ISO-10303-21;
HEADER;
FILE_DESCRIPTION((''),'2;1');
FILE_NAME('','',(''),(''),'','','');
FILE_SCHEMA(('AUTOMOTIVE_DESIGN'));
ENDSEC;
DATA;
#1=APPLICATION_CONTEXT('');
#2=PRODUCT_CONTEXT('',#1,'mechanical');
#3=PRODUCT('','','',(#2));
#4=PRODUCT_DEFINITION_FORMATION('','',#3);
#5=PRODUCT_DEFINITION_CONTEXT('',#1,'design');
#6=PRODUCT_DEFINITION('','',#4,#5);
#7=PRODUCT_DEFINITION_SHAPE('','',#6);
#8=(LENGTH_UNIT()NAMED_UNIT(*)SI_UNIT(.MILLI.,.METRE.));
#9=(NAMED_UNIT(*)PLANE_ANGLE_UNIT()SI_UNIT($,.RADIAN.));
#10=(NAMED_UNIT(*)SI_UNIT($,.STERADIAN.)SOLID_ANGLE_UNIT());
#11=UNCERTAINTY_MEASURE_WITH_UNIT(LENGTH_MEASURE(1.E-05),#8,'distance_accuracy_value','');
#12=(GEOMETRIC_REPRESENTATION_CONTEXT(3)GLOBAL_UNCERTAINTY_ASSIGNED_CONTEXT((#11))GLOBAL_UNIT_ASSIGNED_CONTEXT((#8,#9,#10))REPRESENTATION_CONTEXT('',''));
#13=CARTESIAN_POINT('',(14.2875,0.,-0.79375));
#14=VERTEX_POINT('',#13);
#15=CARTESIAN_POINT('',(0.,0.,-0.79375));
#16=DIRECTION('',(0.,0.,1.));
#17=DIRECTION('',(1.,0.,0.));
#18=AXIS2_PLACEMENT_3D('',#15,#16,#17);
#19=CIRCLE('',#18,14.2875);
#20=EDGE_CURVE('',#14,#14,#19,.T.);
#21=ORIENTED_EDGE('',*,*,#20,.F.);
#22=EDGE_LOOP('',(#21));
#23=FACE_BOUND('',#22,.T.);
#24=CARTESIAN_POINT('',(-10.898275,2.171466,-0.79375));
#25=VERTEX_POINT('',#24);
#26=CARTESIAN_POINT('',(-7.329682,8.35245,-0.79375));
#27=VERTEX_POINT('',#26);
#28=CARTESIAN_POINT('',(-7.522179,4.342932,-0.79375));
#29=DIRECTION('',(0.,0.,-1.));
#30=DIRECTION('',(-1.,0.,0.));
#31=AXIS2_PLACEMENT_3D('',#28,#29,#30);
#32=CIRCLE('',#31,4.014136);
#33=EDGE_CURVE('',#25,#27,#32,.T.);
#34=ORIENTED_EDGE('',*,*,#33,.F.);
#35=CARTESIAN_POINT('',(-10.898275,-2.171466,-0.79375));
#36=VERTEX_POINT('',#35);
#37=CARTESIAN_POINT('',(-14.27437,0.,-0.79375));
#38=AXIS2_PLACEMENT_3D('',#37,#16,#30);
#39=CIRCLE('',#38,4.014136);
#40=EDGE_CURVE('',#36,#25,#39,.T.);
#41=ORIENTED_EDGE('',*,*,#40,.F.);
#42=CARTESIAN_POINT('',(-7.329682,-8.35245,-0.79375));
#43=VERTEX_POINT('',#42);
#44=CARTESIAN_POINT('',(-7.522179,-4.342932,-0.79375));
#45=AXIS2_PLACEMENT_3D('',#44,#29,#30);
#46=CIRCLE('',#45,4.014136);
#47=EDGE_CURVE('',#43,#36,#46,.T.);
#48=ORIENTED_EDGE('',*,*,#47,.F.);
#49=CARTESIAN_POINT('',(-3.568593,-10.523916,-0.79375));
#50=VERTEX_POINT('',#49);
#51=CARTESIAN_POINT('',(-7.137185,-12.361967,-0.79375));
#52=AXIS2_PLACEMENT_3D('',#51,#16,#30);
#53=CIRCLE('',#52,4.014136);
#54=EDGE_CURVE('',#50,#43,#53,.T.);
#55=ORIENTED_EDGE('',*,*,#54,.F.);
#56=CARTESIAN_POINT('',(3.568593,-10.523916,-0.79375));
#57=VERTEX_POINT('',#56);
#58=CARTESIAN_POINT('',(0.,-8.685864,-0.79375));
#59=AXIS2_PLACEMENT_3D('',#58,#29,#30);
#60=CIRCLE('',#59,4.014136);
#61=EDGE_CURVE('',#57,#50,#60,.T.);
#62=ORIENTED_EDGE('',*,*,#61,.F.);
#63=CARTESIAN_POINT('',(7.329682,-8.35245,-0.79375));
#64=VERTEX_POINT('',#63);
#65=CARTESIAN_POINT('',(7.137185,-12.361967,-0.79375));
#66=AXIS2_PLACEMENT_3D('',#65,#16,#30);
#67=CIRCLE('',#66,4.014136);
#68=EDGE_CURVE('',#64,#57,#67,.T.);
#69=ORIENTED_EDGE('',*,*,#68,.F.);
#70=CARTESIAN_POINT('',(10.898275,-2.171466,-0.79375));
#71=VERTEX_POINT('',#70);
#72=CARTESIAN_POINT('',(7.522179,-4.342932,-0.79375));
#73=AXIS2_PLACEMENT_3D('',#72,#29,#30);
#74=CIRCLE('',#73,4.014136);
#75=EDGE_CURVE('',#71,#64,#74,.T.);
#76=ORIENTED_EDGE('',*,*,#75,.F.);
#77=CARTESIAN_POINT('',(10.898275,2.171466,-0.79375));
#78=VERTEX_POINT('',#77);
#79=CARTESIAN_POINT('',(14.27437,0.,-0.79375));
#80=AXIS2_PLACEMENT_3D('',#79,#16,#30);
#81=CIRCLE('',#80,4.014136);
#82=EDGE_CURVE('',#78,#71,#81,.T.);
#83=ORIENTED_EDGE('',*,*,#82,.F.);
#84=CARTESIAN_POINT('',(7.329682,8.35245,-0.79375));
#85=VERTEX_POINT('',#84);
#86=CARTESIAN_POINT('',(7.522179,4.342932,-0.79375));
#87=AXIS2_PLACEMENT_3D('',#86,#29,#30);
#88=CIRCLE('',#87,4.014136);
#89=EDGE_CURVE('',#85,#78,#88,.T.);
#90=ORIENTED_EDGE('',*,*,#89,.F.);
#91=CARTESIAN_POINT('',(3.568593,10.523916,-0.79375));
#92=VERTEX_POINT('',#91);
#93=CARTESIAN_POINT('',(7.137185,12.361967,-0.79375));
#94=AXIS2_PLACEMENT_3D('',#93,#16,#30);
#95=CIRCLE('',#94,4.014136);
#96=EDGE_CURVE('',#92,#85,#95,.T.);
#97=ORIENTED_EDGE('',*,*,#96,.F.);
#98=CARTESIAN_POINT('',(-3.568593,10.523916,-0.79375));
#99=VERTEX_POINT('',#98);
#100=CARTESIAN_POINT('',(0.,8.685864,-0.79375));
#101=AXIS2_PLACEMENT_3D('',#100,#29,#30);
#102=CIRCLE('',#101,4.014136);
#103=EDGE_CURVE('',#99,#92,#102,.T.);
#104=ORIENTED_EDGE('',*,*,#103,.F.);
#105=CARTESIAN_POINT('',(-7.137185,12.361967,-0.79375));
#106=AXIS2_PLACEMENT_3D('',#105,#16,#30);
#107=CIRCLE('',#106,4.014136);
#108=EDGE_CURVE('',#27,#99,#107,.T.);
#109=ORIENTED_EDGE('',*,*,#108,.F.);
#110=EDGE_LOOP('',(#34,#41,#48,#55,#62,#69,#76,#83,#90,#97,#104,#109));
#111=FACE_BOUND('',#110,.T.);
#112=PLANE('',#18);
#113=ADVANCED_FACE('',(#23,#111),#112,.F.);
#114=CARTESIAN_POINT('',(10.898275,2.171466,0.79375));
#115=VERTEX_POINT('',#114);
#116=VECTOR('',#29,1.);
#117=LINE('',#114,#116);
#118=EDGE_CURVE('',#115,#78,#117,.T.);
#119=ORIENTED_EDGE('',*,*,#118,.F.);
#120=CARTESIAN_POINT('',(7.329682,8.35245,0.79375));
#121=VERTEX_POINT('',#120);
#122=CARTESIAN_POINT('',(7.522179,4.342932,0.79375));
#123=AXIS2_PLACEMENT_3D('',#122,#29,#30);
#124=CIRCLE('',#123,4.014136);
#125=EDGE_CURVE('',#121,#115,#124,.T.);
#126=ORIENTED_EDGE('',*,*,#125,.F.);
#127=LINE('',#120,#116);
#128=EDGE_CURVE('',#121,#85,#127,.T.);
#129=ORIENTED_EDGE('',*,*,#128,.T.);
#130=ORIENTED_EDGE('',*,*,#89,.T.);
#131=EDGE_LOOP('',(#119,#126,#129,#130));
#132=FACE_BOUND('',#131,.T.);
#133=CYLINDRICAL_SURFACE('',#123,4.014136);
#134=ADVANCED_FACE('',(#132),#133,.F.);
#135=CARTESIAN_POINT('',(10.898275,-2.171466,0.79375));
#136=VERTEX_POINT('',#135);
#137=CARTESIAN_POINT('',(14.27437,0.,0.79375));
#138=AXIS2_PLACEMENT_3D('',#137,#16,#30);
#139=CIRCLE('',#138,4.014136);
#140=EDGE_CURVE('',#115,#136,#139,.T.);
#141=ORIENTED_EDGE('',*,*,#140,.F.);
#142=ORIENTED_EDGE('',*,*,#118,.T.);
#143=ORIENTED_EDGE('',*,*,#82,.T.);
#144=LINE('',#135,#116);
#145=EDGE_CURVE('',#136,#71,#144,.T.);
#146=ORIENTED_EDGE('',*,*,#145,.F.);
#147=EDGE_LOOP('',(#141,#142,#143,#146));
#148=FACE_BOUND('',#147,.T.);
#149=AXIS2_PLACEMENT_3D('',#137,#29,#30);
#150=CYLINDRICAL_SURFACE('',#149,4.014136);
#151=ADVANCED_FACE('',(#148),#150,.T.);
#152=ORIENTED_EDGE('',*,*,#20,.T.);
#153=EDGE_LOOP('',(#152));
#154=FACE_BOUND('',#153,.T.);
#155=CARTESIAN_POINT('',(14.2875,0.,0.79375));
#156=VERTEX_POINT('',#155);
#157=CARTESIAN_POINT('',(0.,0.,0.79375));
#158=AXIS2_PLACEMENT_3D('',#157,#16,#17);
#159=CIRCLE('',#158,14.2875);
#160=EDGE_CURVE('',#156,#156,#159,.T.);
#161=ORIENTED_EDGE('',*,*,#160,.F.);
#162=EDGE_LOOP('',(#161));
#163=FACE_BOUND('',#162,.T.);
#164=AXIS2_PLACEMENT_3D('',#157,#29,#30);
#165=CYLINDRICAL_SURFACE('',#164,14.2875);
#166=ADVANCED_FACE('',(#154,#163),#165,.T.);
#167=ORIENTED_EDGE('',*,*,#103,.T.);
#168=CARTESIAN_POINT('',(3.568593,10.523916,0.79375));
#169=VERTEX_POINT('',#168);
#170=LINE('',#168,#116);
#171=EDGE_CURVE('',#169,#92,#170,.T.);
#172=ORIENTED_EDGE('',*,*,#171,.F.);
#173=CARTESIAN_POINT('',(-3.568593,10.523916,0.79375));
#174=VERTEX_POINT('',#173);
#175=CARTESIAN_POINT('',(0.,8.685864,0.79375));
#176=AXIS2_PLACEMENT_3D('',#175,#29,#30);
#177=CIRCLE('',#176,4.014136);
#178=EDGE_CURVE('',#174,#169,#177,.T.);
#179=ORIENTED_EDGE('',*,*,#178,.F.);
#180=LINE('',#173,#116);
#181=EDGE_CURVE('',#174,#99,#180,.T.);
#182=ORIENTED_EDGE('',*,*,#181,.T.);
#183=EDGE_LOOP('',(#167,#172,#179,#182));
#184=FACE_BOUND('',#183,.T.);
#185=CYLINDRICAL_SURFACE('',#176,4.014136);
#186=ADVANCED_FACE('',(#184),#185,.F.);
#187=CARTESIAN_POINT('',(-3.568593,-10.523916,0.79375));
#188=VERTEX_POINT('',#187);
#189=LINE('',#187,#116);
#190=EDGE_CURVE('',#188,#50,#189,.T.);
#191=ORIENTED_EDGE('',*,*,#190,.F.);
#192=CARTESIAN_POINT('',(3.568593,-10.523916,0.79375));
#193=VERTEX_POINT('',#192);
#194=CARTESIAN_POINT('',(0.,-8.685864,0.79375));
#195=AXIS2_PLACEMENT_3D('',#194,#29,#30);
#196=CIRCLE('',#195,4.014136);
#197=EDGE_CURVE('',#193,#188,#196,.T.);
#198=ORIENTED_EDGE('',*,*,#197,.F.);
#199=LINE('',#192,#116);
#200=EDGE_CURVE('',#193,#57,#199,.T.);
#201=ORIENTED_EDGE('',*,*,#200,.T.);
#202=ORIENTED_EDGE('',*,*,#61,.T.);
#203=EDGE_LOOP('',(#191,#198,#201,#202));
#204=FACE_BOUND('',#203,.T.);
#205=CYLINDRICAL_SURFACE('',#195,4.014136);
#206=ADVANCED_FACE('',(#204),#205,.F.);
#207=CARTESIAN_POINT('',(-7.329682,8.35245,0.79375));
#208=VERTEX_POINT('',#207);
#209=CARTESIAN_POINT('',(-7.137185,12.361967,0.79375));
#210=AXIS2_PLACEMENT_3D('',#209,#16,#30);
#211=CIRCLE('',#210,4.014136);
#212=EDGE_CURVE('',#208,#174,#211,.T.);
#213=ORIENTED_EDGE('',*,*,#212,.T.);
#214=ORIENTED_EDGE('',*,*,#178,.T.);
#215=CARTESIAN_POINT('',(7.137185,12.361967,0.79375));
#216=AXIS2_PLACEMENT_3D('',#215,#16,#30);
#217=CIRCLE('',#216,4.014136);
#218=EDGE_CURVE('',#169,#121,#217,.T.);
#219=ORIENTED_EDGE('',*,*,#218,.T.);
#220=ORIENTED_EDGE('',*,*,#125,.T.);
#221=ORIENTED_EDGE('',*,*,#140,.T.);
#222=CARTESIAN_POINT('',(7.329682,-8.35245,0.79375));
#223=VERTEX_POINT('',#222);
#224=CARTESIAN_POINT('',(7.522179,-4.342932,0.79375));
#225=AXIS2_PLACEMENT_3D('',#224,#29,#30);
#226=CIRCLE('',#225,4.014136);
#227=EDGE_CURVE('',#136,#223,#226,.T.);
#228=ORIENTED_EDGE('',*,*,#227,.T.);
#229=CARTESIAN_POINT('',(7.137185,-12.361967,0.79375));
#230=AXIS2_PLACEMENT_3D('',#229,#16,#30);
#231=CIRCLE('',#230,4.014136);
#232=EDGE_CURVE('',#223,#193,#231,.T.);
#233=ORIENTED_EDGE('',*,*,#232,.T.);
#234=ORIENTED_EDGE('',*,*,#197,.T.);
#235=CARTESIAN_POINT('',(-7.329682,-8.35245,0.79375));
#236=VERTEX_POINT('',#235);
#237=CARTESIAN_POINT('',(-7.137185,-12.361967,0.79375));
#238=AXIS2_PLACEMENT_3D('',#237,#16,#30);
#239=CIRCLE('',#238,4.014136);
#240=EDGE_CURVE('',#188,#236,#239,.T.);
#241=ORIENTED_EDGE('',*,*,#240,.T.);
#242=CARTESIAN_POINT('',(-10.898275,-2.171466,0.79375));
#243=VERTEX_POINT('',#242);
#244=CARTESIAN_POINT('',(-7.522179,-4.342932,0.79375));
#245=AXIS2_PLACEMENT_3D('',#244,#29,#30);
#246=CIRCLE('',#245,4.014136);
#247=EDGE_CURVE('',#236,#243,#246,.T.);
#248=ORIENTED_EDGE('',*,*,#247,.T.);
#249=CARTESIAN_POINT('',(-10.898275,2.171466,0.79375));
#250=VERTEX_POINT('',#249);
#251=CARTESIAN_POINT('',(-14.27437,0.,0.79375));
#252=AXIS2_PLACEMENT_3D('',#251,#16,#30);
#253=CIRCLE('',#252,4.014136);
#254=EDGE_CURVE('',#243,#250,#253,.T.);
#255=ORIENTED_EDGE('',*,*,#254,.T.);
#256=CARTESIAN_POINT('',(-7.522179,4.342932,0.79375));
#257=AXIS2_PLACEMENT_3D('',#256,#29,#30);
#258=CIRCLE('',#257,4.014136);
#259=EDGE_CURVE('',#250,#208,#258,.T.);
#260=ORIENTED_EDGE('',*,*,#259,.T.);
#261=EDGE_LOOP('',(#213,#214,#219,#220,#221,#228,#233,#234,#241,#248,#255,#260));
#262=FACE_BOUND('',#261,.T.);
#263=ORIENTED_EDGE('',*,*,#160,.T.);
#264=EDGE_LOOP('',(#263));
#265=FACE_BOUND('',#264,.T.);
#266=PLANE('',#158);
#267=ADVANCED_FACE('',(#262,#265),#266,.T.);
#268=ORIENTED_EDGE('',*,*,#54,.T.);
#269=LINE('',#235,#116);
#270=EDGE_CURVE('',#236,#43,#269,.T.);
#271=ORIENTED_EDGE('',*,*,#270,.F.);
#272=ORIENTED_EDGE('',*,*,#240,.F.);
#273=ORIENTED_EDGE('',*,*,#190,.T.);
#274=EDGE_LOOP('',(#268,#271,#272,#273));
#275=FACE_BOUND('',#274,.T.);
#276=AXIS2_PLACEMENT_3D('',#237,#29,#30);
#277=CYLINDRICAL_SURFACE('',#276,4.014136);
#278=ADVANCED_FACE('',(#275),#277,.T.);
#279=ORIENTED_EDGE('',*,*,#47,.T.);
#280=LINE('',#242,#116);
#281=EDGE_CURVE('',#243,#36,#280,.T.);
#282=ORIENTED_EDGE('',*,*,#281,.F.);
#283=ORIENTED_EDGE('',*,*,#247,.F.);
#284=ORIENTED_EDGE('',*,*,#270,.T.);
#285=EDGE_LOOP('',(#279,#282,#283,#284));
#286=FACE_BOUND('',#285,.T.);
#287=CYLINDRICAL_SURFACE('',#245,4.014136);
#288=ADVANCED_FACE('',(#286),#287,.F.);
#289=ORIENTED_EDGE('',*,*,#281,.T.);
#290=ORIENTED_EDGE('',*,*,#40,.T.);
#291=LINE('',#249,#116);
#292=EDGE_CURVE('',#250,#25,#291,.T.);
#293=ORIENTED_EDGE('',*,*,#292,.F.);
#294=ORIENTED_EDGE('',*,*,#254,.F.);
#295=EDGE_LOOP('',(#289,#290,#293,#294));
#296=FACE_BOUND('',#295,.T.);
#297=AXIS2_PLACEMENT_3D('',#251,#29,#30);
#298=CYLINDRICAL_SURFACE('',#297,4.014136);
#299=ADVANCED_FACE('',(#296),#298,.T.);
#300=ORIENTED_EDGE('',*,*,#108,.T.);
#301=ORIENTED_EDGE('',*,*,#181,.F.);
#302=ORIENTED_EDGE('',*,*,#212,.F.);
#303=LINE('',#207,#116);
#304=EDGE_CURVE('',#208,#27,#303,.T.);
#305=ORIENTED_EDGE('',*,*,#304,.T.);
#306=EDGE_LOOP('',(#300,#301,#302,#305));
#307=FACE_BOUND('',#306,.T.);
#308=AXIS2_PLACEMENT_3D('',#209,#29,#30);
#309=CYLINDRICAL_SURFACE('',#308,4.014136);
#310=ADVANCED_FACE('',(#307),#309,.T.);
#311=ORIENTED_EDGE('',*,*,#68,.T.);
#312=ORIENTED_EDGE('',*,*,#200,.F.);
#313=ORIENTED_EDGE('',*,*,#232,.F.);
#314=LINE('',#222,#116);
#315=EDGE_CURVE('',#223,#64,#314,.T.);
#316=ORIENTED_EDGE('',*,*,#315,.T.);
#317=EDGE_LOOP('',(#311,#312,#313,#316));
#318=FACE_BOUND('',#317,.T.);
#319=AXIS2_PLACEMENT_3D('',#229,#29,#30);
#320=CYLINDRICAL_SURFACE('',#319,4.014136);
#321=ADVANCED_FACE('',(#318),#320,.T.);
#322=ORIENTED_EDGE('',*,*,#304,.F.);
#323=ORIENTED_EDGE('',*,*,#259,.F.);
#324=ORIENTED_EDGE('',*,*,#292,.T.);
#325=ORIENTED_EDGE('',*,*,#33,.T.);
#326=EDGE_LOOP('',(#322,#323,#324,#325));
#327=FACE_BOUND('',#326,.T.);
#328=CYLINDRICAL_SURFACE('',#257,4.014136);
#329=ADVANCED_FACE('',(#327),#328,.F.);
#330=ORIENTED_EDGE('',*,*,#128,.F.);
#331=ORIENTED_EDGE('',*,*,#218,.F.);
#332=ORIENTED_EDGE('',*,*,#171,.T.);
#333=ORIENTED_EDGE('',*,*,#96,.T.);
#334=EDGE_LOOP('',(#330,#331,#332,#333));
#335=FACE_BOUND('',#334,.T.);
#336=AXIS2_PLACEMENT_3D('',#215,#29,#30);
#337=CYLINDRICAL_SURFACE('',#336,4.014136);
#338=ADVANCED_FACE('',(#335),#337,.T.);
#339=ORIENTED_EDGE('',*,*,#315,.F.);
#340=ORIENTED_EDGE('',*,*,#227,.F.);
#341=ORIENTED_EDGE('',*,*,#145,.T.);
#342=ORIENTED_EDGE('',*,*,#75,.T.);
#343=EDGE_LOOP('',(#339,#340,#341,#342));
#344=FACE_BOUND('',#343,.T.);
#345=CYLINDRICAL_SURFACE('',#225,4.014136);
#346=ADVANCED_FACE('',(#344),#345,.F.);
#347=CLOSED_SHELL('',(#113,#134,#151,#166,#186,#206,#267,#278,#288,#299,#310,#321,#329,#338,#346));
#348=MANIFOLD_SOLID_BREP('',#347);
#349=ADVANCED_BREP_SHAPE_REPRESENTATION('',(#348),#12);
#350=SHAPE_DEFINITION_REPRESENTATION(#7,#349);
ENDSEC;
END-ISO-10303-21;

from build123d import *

# Parameters (mm, degrees)
SKETCH1_R           = 14.2875
BOSS_EXTRUDE1_DEPTH = 0.79375
CUT_EXTRUDE1_DEPTH  = 2.5875


with BuildPart() as part:
    # Sketch1 → Boss-Extrude1 (new body, symmetric)
    with BuildSketch(Plane.XY):
        Circle(SKETCH1_R)
    extrude(amount=BOSS_EXTRUDE1_DEPTH, both=True)

    # Sketch2 → Cut-Extrude1 (cut, through all)
    with BuildSketch(Plane(origin=(0, 0, -0.79375), x_dir=(-1, 0, 0), z_dir=(0, 0, -1))):
        with BuildLine():
            ThreePointArc((-7.329682086, 8.352449747), (-5.130117272, 8.885623765), (-3.568592622, 10.523915761))
            ThreePointArc((-3.568592622, 10.523915761), (0, 12.7), (3.568592622, 10.523915761))
            ThreePointArc((3.568592622, 10.523915761), (5.130117272, 8.885623765), (7.329682086, 8.352449747))
            ThreePointArc((7.329682086, 8.352449747), (10.998522628, 6.35), (10.898274707, 2.171466014))
            ThreePointArc((10.898274707, 2.171466014), (10.260234545, 0), (10.898274707, -2.171466014))
            ThreePointArc((10.898274707, -2.171466014), (10.998522628, -6.35), (7.329682086, -8.352449747))
            ThreePointArc((7.329682086, -8.352449747), (5.130117272, -8.885623765), (3.568592622, -10.523915761))
            ThreePointArc((3.568592622, -10.523915761), (0, -12.7), (-3.568592622, -10.523915761))
            ThreePointArc((-3.568592622, -10.523915761), (-5.130117272, -8.885623765), (-7.329682086, -8.352449747))
            ThreePointArc((-7.329682086, -8.352449747), (-10.998522628, -6.35), (-10.898274707, -2.171466014))
            ThreePointArc((-10.898274707, -2.171466014), (-10.260234545, 0), (-10.898274707, 2.171466014))
            ThreePointArc((-10.898274707, 2.171466014), (-10.998522628, 6.35), (-7.329682086, 8.352449747))
        make_face()
    extrude(amount=-CUT_EXTRUDE1_DEPTH, mode=Mode.SUBTRACT)


solid = part.part
